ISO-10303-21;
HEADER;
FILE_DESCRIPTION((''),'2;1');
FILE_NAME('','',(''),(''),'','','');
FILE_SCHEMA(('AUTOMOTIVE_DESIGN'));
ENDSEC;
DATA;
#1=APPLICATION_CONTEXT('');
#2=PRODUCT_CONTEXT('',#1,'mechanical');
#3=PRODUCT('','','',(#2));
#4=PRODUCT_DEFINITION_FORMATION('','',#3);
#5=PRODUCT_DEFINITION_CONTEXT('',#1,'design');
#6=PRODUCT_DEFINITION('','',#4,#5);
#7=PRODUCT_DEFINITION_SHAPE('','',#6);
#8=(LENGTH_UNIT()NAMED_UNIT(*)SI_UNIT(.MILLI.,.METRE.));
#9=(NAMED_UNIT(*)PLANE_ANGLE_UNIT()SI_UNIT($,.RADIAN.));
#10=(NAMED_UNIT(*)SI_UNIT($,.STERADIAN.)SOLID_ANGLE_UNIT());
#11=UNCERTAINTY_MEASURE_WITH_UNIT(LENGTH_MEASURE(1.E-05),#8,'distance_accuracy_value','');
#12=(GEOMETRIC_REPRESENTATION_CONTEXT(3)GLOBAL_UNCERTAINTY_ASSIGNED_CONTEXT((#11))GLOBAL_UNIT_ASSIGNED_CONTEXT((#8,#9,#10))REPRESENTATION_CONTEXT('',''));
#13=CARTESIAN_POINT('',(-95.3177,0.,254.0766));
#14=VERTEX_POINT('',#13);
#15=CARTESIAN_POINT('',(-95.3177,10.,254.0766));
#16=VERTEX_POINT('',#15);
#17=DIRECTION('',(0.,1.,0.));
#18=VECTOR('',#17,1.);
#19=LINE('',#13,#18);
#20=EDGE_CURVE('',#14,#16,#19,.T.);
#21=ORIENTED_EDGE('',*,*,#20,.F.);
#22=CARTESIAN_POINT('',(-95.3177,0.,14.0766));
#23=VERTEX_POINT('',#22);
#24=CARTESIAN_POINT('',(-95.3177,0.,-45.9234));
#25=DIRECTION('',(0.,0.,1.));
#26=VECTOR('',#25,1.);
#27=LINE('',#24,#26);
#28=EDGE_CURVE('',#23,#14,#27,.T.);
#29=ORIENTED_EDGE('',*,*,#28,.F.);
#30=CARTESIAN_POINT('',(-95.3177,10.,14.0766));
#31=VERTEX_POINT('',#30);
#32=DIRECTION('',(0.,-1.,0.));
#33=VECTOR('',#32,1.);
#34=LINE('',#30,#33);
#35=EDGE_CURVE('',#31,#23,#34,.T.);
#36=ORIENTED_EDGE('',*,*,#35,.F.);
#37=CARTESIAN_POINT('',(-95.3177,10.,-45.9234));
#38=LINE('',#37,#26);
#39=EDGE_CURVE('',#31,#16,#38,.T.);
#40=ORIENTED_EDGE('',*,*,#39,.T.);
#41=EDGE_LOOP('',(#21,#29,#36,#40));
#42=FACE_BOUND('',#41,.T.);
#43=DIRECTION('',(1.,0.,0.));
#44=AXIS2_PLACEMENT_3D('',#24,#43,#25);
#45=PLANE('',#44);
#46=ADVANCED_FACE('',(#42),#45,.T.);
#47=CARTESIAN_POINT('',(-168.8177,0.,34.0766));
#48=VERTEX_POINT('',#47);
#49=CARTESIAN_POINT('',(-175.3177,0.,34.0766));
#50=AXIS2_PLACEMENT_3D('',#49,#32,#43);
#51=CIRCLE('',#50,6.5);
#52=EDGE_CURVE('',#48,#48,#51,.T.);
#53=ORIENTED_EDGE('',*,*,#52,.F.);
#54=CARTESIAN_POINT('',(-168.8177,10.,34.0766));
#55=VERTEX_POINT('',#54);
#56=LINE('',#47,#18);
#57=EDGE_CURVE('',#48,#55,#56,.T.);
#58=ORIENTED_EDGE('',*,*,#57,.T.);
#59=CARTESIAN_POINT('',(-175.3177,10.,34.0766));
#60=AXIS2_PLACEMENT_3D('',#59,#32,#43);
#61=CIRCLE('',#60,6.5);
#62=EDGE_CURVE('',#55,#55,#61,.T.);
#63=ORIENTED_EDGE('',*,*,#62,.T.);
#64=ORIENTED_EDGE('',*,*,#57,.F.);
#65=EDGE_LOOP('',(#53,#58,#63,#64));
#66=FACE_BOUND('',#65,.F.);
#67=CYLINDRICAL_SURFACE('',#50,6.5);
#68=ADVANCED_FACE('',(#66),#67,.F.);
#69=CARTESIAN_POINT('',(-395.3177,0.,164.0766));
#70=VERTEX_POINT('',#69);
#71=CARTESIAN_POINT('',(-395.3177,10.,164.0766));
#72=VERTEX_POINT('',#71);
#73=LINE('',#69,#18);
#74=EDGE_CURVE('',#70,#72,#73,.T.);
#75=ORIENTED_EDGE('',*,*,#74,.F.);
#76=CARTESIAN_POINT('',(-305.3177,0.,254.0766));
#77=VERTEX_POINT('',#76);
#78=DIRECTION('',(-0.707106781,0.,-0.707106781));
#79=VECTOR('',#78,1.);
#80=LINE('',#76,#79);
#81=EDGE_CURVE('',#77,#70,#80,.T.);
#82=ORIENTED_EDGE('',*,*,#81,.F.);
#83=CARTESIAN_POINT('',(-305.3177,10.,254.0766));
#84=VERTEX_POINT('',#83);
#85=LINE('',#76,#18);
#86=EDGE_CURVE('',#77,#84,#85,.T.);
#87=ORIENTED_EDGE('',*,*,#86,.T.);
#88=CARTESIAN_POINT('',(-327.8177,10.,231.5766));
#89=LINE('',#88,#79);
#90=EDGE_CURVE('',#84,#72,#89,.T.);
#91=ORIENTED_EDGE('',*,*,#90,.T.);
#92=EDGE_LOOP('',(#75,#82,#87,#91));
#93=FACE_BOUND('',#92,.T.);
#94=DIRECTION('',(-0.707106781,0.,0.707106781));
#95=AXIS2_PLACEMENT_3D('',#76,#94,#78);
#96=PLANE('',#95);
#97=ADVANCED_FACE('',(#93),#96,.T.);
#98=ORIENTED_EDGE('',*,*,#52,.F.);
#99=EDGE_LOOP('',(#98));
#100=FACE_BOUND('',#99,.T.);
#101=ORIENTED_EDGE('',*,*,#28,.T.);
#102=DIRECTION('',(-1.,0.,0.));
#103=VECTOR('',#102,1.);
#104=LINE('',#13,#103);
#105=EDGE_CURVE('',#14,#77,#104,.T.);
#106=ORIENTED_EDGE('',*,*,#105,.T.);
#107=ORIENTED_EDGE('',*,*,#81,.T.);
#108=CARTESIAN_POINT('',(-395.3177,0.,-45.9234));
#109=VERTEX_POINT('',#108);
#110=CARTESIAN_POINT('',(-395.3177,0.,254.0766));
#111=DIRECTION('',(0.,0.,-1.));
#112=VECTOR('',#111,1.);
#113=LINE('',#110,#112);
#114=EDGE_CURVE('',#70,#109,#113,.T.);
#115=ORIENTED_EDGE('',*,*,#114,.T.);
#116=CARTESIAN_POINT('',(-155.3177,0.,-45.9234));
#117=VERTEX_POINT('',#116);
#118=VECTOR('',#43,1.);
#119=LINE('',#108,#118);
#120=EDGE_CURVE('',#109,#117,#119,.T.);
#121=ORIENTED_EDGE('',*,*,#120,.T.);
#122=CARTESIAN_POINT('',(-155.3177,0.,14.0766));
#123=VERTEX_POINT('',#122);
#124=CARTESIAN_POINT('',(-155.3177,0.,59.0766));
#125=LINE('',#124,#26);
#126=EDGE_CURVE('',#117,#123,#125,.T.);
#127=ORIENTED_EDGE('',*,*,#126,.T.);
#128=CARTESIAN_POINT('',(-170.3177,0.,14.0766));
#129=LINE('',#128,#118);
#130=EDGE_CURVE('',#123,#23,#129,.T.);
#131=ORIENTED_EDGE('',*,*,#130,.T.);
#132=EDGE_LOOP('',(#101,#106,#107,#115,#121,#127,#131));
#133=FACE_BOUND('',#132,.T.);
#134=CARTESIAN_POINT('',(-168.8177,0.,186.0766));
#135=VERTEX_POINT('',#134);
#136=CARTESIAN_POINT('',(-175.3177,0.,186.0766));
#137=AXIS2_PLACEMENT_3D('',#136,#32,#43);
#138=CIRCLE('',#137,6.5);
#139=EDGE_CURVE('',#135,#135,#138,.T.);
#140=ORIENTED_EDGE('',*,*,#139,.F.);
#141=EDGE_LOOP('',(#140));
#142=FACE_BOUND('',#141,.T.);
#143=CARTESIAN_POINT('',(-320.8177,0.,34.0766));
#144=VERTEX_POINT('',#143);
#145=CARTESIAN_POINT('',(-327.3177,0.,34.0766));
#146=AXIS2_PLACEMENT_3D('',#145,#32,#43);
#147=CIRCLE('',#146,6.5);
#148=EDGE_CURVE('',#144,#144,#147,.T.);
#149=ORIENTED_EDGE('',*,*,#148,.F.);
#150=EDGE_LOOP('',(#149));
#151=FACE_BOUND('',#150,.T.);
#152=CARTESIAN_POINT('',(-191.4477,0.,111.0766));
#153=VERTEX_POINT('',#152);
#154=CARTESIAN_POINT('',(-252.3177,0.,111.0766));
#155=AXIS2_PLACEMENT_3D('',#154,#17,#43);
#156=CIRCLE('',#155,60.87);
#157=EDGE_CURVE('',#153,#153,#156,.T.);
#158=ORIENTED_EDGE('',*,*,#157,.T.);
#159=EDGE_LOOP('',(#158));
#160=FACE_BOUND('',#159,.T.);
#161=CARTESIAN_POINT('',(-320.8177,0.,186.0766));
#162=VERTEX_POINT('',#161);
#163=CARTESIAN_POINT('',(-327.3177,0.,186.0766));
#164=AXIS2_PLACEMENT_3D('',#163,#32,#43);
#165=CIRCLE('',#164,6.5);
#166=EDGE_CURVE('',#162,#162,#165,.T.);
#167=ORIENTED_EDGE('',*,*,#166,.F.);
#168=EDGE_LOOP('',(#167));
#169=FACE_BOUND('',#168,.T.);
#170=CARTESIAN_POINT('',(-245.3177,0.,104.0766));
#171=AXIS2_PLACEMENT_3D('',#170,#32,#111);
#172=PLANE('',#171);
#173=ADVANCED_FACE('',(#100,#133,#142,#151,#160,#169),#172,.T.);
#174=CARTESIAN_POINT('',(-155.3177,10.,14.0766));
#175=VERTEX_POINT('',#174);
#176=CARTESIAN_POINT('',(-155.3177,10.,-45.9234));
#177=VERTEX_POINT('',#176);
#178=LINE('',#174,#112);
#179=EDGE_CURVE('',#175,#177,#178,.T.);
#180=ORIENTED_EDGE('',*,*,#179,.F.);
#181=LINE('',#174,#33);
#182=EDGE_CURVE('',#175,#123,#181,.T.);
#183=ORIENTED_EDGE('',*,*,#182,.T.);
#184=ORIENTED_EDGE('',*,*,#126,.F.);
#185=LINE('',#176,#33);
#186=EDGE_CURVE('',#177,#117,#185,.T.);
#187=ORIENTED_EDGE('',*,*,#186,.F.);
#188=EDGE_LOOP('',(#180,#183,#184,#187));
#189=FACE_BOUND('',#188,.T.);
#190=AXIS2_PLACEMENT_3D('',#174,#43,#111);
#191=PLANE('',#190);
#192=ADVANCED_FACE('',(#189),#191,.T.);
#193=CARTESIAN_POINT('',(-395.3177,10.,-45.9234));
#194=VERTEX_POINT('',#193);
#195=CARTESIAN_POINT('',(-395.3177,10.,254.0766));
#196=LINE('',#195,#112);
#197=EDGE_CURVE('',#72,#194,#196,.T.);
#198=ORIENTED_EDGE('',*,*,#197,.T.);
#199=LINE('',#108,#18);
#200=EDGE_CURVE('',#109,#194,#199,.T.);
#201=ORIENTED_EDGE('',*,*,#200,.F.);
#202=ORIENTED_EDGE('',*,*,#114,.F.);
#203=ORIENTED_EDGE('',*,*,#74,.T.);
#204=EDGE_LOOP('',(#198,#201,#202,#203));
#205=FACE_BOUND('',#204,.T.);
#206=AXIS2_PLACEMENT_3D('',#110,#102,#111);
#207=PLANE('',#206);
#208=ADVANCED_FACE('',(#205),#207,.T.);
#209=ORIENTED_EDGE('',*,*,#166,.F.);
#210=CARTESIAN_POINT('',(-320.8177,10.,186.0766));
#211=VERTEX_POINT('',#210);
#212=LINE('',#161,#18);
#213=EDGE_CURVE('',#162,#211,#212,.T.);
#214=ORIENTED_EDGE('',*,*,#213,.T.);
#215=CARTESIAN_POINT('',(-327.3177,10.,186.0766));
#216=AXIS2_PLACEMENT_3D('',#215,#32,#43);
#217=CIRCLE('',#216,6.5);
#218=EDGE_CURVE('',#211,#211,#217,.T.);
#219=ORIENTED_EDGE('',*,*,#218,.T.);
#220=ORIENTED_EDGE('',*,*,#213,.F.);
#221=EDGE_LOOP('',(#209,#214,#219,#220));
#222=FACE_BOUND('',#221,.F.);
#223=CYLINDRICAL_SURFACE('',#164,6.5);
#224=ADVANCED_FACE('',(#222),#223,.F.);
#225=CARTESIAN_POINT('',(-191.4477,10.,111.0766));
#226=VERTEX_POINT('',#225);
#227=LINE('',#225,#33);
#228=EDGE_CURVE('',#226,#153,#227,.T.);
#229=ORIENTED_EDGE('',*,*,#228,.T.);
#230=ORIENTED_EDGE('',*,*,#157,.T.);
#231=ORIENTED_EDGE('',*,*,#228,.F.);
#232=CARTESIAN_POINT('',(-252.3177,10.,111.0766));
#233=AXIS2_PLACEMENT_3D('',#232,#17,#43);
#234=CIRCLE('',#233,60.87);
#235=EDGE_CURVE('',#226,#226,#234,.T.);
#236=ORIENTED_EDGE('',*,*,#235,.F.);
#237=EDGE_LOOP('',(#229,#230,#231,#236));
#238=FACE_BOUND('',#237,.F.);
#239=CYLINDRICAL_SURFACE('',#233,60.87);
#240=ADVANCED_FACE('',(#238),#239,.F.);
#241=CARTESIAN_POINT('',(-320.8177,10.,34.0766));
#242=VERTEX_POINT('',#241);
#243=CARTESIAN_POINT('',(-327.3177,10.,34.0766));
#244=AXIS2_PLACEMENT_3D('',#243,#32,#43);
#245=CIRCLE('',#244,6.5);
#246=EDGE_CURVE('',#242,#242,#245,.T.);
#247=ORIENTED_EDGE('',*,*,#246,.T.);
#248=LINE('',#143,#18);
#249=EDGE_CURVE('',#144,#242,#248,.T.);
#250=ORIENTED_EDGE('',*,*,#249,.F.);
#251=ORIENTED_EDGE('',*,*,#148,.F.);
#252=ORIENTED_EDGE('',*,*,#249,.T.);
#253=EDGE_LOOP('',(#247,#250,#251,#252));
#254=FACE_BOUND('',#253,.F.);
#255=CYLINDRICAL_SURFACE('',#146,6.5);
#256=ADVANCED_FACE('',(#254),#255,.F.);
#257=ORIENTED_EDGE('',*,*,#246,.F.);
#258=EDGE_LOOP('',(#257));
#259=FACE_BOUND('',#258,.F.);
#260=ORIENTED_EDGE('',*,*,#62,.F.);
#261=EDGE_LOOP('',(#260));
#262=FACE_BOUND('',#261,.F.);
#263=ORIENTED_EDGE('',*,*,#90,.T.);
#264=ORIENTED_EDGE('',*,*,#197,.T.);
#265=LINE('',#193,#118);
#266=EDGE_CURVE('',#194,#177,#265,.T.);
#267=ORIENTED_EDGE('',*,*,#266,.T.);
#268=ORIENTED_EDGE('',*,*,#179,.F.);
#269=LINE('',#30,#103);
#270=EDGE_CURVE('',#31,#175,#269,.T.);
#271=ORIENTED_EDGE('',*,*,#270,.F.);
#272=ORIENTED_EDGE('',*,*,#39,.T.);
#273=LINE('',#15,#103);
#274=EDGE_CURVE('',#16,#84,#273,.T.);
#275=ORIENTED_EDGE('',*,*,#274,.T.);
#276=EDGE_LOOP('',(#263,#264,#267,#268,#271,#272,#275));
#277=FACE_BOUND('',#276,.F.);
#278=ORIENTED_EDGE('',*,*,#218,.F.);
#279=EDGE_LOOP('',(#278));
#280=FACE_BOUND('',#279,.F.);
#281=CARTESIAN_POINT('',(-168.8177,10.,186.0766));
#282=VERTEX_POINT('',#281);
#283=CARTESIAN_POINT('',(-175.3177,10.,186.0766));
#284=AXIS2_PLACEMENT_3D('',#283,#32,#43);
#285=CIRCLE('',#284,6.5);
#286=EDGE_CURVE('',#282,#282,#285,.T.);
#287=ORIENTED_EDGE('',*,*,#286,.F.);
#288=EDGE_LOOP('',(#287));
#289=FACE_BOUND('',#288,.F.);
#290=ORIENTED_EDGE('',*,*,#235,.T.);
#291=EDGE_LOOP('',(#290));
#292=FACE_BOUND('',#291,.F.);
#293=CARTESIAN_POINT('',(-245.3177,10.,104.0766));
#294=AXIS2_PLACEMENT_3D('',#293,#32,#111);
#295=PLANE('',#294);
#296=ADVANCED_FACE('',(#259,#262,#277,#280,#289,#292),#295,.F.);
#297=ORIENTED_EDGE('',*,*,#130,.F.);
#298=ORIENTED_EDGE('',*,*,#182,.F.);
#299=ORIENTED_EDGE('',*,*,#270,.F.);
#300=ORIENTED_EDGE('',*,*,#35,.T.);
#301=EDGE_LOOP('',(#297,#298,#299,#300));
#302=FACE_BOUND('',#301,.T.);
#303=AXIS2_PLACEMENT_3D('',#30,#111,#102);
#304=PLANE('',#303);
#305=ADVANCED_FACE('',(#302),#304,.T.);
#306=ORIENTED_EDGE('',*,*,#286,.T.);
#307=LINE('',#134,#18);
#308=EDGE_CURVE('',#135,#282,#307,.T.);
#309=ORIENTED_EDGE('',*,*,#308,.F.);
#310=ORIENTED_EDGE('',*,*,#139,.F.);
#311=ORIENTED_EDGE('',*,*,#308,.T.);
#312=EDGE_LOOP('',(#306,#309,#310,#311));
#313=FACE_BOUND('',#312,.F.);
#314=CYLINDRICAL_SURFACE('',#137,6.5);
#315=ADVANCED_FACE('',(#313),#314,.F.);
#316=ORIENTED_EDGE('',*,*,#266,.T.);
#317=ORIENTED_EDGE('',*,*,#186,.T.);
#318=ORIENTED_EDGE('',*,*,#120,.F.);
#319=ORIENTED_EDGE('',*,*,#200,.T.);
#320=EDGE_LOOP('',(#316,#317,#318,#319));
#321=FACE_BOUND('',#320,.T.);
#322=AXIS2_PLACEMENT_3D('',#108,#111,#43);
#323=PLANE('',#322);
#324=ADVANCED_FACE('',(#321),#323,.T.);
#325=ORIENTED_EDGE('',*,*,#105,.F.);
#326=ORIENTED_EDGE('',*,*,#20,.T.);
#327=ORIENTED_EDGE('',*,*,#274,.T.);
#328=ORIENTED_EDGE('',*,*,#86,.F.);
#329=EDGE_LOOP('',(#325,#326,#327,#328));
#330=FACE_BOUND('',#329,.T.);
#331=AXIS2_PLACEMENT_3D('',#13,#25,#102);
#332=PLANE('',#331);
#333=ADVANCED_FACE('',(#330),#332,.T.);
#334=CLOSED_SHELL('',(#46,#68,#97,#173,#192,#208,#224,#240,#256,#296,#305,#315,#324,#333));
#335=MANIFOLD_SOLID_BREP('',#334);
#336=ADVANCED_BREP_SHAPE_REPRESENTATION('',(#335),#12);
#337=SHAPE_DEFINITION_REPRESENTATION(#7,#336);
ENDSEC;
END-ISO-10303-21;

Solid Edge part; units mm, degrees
sketch "Sketch1" plane through (0, 0, 0) normal (0, -1, 0) x (1, 0, 0)
  line L0 (-395.3177, -45.9234) -> (-95.3177, -45.9234)
  line L1 (-95.3177, -45.9234) -> (-95.3177, 254.0766)
  line L2 (-95.3177, 254.0766) -> (-395.3177, 254.0766)
  line L3 (-395.3177, 254.0766) -> (-395.3177, -45.9234)
  dimension "D1" = 300
  dimension "D2" = 300
extrude "Protrusion1" add sketch "Sketch1" against normal blind 10
sketch "Sketch2" plane through (-145.3177, 0, 4.0766) normal (0, -1, 0) x (1, 0, 0)
  circle A0 centre (-30, 182) radius 6.5
  circle A1 centre (-182, 30) radius 6.5
  circle A2 centre (-30, 30) radius 6.5
  circle A3 centre (-182, 182) radius 6.5
  dimension "D1" = 13
  dimension "D2" = 13
  dimension "D3" = 13
  dimension "D4" = 13
  dimension "D5" = 152
  dimension "D6" = 152
  dimension "D7" = 80
  dimension "D8" = 68
extrude "Cutout1" cut sketch "Sketch2" along normal through all and the other way through all
sketch "Sketch3" plane through (-245.3177, 10, 104.0766) normal (0, 1, 0) x (1, 0, 0)
  circle A0 centre (-7, -7) radius 60.87
  line L0 (150, 150) -> (150, 90)
  line L1 (150, 90) -> (90, 90)
  line L2 (90, 90) -> (90, 150)
  line L3 (90, 150) -> (150, 150)
  dimension "D1" = 60
  dimension "D2" = 60
  dimension "D3" = 143
  dimension "D4" = 143
extrude "Cutout2" cut sketch "Sketch3" against normal through all
sketch "Sketch4" plane through (-245.3177, 0, 104.0766) normal (0, -1, 0) x (0, 0, -1)
  line L0 (-150, -60) -> (-60, -150)
  line L1 (-60, -150) -> (-150, -150)
  line L2 (-150, -150) -> (-150, -60)
  dimension "D1" = 90
  dimension "D2" = 90
extrude "Cutout3" cut sketch "Sketch4" against normal through all
